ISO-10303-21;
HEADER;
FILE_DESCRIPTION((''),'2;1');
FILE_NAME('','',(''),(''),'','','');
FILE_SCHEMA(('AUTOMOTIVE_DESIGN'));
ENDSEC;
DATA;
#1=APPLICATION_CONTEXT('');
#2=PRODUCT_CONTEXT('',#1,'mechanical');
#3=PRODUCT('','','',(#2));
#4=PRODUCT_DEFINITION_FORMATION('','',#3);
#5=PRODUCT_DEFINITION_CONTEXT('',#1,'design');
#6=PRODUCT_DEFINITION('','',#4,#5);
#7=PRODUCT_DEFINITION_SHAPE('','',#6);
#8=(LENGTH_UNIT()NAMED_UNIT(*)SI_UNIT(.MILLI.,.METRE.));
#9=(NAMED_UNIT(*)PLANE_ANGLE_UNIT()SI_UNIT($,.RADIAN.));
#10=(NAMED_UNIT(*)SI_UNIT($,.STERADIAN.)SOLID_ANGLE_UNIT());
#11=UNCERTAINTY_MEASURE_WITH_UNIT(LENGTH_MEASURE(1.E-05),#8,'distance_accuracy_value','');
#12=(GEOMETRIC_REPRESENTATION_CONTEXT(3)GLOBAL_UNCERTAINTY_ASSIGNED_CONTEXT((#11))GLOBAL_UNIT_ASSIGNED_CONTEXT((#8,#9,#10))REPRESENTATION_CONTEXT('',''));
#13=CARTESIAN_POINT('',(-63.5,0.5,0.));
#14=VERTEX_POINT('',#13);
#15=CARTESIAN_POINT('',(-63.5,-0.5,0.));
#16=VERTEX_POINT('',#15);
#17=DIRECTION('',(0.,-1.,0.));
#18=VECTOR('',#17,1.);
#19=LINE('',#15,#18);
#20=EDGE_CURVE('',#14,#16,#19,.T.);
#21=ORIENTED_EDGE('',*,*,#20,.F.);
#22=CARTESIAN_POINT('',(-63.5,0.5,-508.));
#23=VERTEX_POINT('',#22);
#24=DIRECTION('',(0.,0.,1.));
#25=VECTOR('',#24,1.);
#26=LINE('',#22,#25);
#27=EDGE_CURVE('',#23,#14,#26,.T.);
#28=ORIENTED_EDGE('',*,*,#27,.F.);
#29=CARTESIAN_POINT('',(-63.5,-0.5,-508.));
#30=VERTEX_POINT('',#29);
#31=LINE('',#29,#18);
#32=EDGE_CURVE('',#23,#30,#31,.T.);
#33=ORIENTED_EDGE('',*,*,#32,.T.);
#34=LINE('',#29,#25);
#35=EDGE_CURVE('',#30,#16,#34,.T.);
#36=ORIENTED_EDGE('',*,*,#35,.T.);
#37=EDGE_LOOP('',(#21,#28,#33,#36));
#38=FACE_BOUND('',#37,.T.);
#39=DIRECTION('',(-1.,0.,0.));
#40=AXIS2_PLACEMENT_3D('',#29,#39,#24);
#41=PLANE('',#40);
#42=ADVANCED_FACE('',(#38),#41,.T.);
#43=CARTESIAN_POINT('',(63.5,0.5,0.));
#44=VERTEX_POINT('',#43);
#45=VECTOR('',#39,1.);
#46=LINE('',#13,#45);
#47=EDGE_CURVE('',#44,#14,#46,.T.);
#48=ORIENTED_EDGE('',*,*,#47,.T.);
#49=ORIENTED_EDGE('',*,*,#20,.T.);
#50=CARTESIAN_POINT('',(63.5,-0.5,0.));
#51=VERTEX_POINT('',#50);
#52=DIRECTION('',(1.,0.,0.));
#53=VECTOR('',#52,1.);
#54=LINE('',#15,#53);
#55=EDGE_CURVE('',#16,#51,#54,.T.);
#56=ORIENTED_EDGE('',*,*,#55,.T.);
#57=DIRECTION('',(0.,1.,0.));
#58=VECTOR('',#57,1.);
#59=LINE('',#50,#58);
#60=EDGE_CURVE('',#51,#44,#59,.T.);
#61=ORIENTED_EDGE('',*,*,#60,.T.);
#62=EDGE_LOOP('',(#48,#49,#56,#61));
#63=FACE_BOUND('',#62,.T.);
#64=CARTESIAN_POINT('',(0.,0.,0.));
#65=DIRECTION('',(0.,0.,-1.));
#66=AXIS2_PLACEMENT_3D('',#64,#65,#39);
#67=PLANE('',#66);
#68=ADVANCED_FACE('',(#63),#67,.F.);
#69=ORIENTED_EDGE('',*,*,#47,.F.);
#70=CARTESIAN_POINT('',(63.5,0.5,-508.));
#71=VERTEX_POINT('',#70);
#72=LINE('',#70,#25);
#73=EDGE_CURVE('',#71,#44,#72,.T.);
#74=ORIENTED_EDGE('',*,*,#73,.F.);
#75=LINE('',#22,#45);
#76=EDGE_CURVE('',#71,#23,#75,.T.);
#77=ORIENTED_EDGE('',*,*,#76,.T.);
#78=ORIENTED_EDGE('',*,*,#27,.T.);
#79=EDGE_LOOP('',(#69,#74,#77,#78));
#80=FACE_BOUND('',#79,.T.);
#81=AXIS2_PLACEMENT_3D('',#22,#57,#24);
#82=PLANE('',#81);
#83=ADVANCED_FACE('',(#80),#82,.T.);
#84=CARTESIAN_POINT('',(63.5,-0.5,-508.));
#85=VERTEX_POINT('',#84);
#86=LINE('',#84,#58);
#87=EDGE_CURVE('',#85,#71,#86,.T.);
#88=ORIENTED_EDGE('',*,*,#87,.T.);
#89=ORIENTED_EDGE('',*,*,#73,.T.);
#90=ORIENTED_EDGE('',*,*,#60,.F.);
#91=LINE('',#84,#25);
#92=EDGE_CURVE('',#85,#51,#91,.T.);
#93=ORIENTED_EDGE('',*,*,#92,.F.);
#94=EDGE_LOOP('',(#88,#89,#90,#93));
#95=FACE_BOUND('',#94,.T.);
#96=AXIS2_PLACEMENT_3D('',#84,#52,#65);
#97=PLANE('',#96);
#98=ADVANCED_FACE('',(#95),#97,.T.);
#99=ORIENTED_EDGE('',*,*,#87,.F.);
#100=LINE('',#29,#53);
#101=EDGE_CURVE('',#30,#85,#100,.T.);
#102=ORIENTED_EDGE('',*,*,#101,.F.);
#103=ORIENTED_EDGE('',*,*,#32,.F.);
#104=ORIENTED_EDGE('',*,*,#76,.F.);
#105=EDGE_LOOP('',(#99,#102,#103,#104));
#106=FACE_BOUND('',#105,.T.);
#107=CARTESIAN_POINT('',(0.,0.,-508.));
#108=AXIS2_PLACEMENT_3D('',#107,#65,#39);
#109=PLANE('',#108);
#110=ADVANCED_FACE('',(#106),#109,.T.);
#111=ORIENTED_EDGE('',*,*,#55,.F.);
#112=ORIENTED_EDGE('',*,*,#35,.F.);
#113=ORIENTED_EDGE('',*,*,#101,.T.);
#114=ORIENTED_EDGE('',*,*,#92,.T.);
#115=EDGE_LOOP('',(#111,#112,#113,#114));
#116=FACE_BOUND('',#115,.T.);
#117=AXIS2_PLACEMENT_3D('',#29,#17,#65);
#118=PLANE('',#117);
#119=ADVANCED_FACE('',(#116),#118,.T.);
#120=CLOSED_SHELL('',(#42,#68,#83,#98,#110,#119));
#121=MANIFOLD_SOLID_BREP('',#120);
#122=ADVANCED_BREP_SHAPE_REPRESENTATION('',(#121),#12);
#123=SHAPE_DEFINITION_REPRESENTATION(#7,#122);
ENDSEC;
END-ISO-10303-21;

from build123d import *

# Parameters (mm, degrees)
SKETCH1_W           = 127
SKETCH1_H           = 1
BOSS_EXTRUDE1_DEPTH = 508


with BuildPart() as part:
    # Sketch1 → Boss-Extrude1 (new body)
    with BuildSketch(Plane.XY):
        Rectangle(SKETCH1_W, SKETCH1_H)
    extrude(amount=-BOSS_EXTRUDE1_DEPTH)


solid = part.part
